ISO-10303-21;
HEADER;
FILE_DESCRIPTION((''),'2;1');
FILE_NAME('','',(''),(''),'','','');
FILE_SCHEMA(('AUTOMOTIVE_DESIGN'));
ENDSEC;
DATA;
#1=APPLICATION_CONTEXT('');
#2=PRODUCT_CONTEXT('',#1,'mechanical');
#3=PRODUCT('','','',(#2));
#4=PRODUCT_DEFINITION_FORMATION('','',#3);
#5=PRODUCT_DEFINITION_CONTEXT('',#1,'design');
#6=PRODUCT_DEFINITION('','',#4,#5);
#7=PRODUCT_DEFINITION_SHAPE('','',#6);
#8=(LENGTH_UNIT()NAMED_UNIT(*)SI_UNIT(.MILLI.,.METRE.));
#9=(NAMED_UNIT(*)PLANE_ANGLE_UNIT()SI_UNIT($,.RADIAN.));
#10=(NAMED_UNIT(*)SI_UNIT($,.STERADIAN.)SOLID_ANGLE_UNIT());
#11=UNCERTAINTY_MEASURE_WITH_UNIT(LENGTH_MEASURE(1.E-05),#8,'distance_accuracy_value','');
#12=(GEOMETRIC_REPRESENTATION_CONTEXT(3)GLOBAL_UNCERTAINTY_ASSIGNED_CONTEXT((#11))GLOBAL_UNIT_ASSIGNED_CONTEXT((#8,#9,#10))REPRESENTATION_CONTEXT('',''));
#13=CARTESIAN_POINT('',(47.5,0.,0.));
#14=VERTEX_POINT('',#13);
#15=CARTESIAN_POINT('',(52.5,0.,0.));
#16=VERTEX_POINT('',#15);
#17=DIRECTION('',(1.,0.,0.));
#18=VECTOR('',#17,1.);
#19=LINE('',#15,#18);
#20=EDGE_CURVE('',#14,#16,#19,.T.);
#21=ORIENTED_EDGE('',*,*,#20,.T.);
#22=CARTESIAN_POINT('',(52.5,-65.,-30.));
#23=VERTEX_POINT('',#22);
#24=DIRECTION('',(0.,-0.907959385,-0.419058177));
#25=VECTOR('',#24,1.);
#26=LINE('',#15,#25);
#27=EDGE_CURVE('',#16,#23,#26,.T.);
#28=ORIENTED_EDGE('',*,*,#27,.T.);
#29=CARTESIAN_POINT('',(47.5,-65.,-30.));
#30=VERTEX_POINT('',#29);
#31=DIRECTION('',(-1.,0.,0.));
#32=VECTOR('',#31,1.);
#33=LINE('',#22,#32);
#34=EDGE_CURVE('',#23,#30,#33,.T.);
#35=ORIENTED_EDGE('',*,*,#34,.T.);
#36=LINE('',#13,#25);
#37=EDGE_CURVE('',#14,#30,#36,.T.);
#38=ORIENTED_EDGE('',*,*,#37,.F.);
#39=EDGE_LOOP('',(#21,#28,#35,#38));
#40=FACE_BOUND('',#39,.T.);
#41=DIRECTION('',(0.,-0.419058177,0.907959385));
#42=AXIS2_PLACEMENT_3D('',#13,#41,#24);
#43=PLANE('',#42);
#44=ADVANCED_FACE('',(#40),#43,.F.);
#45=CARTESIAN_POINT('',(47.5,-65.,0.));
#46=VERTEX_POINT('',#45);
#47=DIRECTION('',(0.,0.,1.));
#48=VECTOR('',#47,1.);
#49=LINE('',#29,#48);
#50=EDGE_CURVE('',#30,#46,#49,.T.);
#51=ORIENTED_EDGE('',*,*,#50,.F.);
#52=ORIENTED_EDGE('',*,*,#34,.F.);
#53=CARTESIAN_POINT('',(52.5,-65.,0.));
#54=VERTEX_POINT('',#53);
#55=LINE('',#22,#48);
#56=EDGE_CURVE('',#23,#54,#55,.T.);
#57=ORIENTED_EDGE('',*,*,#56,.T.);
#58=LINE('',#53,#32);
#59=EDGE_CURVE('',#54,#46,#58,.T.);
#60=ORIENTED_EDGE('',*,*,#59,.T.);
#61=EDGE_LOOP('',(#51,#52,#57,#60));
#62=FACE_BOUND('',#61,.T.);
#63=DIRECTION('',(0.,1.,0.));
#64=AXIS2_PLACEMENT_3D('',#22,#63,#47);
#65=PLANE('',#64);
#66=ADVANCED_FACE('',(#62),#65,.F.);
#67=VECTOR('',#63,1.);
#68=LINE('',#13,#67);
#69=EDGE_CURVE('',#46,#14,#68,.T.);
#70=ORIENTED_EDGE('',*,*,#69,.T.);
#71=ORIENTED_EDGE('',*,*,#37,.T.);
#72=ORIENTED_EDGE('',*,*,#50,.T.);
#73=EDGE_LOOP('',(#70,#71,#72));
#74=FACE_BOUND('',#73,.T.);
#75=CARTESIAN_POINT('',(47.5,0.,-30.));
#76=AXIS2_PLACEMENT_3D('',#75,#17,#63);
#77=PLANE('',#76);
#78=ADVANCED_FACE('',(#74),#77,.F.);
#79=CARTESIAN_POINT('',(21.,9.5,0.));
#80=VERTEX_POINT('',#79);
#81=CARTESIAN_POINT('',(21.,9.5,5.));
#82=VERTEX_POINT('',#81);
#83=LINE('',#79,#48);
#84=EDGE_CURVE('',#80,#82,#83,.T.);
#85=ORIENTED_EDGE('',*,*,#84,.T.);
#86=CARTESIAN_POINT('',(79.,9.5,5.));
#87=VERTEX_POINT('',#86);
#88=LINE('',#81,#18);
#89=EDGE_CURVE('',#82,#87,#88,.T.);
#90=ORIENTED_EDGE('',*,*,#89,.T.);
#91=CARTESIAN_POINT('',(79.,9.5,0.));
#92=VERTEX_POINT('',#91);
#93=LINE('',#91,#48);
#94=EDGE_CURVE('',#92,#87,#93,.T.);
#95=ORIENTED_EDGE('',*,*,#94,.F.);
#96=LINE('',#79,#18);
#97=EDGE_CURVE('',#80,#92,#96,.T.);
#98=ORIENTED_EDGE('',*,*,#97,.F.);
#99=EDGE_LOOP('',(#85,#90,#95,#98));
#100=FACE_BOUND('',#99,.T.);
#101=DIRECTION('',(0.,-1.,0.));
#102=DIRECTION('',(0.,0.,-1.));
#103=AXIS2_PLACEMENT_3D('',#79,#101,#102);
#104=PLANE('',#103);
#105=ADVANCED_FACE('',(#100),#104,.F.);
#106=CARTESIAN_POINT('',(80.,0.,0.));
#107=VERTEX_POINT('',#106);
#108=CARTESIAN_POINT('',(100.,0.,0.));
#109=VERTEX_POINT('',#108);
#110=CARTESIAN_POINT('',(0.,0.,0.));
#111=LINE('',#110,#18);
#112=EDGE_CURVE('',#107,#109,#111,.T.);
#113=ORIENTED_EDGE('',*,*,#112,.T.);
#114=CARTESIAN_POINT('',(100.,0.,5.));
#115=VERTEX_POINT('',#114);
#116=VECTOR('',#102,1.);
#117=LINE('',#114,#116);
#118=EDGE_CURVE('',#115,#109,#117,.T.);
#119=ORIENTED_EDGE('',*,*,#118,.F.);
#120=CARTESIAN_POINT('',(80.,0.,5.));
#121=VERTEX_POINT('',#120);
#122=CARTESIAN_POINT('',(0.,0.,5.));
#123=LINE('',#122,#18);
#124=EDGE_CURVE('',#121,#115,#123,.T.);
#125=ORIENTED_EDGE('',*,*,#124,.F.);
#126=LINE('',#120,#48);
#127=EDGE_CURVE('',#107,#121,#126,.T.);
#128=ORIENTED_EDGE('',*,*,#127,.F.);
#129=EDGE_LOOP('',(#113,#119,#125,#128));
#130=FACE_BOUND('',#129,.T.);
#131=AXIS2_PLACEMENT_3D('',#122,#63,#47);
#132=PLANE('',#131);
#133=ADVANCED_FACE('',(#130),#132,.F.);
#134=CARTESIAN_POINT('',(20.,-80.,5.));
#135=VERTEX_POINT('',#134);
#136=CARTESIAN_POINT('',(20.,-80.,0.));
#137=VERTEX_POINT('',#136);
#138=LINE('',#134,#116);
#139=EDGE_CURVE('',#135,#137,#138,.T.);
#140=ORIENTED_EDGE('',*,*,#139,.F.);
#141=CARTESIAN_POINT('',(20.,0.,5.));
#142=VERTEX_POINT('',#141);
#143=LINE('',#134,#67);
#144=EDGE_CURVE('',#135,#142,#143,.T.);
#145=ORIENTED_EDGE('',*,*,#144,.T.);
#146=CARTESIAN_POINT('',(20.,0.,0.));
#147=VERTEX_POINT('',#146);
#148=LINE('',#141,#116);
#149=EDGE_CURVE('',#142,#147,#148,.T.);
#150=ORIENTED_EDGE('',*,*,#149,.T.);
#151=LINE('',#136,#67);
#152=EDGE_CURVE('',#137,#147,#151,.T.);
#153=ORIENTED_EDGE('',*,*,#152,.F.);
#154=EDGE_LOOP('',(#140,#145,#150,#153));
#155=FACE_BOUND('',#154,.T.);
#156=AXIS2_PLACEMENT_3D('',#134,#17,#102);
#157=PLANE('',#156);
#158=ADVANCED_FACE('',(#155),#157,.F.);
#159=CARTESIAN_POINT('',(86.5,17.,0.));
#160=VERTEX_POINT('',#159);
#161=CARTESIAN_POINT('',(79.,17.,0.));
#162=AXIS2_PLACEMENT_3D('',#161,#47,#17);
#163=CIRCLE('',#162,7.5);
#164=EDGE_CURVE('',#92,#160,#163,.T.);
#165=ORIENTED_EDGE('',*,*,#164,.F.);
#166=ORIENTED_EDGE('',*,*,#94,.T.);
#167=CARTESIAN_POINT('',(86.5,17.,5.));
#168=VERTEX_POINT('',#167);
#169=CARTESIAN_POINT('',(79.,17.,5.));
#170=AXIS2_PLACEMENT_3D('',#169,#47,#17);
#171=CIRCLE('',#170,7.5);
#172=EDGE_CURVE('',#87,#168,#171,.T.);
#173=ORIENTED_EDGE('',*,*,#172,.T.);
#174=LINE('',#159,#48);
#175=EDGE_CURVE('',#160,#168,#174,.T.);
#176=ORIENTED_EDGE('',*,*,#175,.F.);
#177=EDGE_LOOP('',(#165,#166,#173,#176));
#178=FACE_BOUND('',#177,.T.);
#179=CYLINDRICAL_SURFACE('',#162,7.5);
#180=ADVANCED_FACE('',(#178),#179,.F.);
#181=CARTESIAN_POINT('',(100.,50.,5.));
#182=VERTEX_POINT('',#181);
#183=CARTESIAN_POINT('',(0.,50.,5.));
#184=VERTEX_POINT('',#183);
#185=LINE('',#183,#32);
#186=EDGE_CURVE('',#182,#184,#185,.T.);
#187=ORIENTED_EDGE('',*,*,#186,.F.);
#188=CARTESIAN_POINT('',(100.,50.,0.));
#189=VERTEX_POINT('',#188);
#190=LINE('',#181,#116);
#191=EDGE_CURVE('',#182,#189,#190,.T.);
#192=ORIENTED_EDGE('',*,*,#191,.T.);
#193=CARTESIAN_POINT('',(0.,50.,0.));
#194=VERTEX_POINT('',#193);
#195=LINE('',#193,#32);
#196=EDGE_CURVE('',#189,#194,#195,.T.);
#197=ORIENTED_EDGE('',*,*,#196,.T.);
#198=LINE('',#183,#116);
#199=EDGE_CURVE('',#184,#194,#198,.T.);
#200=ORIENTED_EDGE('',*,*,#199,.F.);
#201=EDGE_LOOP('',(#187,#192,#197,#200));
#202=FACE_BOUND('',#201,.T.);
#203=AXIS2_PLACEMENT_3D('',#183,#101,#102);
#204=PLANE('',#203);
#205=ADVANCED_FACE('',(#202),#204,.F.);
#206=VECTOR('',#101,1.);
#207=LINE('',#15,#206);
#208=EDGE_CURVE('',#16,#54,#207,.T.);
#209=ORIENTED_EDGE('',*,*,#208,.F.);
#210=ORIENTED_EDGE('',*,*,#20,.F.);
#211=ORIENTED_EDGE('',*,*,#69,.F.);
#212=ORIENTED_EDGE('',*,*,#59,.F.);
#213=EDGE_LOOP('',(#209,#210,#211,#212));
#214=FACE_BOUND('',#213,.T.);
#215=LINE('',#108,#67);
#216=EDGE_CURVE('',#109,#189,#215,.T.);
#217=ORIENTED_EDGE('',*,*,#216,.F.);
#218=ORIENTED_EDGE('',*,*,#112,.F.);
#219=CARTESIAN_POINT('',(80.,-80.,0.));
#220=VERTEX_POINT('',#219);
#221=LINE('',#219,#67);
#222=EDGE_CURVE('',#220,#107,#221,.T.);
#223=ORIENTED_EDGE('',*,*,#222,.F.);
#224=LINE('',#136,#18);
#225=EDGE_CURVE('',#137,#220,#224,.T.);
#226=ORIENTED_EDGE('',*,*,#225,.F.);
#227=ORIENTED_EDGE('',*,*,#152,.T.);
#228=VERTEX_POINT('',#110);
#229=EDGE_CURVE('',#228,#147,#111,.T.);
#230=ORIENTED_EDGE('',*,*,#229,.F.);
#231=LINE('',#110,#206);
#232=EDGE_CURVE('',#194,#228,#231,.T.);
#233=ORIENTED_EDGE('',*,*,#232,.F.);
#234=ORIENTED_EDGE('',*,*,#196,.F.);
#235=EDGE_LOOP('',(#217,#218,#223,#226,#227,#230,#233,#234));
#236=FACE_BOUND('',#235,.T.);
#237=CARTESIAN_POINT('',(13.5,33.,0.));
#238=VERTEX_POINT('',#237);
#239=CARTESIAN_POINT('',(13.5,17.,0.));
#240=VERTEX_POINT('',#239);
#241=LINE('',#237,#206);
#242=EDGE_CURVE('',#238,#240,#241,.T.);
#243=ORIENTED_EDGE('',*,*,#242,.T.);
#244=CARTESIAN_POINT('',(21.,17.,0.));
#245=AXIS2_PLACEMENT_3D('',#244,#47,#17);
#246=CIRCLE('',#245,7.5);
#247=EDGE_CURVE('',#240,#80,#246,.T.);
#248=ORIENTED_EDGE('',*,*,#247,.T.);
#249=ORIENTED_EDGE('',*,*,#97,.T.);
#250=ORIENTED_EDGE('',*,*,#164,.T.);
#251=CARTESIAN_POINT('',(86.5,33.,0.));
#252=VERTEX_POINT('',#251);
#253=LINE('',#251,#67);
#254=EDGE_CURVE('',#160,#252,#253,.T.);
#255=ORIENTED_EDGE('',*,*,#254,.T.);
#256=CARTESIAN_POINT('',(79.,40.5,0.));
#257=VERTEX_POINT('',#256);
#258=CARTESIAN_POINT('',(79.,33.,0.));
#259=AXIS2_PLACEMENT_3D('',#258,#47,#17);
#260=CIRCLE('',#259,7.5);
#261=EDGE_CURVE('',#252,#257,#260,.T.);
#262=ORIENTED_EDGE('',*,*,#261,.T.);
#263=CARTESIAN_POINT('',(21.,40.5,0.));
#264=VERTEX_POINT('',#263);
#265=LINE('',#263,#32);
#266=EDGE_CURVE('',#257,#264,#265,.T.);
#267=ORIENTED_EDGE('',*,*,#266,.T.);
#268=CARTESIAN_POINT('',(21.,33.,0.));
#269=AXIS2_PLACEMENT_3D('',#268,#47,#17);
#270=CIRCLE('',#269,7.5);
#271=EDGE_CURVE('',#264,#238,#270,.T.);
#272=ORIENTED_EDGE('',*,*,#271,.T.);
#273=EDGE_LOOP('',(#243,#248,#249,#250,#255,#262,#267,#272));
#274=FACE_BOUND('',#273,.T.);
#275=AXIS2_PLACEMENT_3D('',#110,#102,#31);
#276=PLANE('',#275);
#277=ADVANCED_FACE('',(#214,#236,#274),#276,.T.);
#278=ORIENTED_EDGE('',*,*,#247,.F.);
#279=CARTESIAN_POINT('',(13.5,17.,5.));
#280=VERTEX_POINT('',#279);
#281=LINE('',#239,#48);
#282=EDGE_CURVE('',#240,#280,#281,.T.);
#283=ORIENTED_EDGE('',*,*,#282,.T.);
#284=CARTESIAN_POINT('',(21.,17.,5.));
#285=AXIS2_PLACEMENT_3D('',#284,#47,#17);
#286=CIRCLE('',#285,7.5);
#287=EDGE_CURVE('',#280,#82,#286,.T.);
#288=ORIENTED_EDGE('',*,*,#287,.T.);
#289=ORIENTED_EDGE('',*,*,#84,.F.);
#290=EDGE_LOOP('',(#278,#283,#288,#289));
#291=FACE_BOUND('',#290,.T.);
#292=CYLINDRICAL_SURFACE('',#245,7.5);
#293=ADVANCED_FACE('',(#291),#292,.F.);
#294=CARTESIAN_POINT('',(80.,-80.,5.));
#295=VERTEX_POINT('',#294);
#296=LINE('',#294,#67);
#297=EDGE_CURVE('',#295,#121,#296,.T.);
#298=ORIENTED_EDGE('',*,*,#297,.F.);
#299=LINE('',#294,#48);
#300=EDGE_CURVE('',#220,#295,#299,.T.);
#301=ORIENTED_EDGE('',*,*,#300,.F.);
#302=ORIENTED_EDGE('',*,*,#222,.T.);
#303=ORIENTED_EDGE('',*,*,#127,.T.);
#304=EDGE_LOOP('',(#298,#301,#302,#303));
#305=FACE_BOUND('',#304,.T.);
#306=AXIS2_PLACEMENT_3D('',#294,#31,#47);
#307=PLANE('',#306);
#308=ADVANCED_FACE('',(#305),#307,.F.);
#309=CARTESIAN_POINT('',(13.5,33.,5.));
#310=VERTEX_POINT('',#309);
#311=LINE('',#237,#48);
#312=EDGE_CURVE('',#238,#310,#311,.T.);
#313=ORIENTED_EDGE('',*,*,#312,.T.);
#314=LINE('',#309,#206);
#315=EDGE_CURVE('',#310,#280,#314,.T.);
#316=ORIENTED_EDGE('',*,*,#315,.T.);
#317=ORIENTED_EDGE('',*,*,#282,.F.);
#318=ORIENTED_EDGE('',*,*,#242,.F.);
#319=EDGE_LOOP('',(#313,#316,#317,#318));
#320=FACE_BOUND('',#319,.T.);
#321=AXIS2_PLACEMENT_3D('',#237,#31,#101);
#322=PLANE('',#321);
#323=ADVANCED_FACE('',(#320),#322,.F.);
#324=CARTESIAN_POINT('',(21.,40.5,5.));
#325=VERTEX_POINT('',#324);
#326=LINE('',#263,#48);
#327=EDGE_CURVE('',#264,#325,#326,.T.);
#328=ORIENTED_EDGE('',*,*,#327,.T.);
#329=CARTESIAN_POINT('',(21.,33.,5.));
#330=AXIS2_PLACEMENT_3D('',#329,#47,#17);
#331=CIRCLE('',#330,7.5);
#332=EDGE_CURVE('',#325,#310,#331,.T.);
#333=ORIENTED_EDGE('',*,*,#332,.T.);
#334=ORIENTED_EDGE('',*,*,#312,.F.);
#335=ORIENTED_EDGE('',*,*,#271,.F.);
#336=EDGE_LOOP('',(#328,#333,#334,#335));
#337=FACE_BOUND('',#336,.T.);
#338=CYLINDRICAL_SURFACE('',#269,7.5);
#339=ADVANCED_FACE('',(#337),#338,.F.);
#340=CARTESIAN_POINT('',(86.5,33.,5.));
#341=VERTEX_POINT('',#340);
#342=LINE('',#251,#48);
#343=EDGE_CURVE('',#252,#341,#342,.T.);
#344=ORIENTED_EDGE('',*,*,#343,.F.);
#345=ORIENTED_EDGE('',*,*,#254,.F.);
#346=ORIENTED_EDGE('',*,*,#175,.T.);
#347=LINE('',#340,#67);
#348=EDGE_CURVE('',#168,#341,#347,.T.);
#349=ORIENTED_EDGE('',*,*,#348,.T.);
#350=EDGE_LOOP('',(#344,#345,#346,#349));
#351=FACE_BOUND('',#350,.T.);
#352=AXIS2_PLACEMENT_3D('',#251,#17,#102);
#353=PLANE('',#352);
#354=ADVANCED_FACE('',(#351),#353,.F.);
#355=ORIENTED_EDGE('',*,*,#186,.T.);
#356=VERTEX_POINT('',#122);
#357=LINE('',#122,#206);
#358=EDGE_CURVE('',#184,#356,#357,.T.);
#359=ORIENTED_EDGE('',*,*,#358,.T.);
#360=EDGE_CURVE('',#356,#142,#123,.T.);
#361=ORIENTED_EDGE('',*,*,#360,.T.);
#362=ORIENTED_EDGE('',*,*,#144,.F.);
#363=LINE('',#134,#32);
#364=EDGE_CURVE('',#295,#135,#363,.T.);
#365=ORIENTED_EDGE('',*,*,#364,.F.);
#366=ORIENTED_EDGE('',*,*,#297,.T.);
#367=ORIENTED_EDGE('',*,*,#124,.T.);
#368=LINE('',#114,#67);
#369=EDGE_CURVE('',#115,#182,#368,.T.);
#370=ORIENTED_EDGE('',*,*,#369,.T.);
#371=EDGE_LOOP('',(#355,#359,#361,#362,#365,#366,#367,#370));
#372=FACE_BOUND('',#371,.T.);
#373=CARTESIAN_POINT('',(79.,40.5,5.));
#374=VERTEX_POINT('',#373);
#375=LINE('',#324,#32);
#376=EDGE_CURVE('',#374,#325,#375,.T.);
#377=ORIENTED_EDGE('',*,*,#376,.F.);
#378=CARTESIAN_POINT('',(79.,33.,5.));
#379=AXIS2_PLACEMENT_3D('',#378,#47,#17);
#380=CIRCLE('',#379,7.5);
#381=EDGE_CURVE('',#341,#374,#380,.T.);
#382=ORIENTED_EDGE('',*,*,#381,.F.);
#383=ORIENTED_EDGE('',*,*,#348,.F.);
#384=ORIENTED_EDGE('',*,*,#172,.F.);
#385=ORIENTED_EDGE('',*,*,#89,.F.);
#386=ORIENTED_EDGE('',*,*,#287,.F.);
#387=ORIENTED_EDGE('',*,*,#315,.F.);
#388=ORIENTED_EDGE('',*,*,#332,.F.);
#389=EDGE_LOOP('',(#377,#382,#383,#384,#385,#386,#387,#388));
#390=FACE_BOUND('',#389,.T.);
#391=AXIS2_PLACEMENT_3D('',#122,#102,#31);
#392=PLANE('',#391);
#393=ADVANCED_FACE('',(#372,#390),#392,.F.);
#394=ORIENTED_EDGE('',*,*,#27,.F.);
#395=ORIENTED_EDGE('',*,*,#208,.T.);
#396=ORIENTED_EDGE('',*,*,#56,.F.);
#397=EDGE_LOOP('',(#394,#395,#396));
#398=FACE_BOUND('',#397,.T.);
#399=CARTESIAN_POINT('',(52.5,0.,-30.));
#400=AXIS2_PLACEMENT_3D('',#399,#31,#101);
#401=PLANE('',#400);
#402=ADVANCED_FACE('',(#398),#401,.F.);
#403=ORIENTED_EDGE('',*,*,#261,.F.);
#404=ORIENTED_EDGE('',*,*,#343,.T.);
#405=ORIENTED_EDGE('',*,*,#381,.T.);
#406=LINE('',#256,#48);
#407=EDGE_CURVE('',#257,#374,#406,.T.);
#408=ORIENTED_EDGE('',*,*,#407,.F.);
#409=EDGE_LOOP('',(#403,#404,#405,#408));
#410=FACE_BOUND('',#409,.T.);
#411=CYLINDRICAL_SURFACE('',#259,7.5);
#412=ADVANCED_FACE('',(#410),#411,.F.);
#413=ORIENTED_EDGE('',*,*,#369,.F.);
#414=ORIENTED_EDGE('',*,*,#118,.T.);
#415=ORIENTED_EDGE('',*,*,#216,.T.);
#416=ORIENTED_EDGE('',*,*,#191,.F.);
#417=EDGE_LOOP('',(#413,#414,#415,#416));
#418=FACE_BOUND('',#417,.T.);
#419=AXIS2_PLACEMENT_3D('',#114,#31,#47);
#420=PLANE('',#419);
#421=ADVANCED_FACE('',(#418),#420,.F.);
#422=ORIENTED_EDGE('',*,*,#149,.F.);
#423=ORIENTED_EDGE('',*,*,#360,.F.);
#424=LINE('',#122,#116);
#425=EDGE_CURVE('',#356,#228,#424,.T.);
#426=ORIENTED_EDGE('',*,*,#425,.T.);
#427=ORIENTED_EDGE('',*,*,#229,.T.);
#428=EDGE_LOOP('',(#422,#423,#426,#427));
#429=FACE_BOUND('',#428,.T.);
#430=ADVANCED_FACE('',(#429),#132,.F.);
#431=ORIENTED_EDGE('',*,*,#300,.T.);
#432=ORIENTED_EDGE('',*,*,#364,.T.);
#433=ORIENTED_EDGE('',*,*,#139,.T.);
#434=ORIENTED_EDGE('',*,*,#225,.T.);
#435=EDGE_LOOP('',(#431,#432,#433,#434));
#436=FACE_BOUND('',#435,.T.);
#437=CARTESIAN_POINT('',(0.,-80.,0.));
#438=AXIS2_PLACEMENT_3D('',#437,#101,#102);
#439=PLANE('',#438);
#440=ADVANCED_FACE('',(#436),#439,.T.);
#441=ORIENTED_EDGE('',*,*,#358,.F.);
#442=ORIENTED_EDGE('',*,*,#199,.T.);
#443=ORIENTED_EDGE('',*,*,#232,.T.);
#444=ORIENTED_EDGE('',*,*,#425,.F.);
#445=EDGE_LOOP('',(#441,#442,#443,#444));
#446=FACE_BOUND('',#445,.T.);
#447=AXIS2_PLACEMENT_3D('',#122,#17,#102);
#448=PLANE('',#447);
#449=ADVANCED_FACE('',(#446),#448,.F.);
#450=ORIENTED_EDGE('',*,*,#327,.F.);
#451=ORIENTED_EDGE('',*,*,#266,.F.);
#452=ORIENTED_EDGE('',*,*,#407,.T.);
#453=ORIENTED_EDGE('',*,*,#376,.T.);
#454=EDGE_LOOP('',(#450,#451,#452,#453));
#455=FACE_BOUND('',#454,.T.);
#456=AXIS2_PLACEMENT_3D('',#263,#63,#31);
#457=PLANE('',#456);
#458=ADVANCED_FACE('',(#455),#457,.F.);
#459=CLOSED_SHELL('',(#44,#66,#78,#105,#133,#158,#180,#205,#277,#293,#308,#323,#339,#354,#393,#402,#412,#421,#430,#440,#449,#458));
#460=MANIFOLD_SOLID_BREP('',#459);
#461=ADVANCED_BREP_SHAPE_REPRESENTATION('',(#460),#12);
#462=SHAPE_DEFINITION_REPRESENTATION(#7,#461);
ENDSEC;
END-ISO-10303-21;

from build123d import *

# Parameters (mm, degrees)
SKETCH1_W           = 100
SKETCH1_H           = 50
BOSS_EXTRUDE1_DEPTH = 5
CUT_EXTRUDE1_DEPTH  = 5
SKETCH3_W           = 60
SKETCH3_H           = 5
BOSS_EXTRUDE2_DEPTH = 80
SKETCH6_W           = 5
SKETCH6_H           = 65
BOSS_EXTRUDE4_DEPTH = 30
CUT_EXTRUDE3_DEPTH  = 5


with BuildPart() as part:
    # Sketch1 → Boss-Extrude1 (new body)
    with BuildSketch(Plane.XY):
        with Locations((50, 25)):
            Rectangle(SKETCH1_W, SKETCH1_H)
    extrude(amount=BOSS_EXTRUDE1_DEPTH)

    # Sketch2 → Cut-Extrude1 (cut)
    with BuildSketch(Plane.XY.offset(5)):
        with BuildLine():
            Line((21, 40.5), (79, 40.5))
            ThreePointArc((79, 40.5), (84.303300859, 38.303300859), (86.5, 33))
            Line((86.5, 33), (86.5, 17))
            ThreePointArc((86.5, 17), (84.303300859, 11.696699141), (79, 9.5))
            Line((79, 9.5), (21, 9.5))
            ThreePointArc((21, 9.5), (15.696699141, 11.696699141), (13.5, 17))
            Line((13.5, 17), (13.5, 33))
            ThreePointArc((13.5, 33), (15.696699141, 38.303300859), (21, 40.5))
        make_face()
    extrude(amount=-CUT_EXTRUDE1_DEPTH, mode=Mode.SUBTRACT)

    # Sketch3 → Boss-Extrude2 (add)
    with BuildSketch(Plane.XZ):
        with Locations((50, 2.5)):
            Rectangle(SKETCH3_W, SKETCH3_H)
    extrude(amount=BOSS_EXTRUDE2_DEPTH)

    # Sketch6 → Boss-Extrude4 (add)
    with BuildSketch(Plane(origin=(0, 0, 0), x_dir=(-1, 0, 0), z_dir=(0, 0, -1))):
        with Locations((-50, -32.5)):
            Rectangle(SKETCH6_W, SKETCH6_H)
    extrude(amount=BOSS_EXTRUDE4_DEPTH)

    # Sketch7 → Cut-Extrude3 (cut)
    with BuildSketch(Plane(origin=(52.5, 0, 0), x_dir=(0, 0, -1), z_dir=(1, 0, 0))):
        Polygon((0, 0), (30, -65), (30, 0), align=None)
    extrude(amount=-CUT_EXTRUDE3_DEPTH, mode=Mode.SUBTRACT)


solid = part.part
